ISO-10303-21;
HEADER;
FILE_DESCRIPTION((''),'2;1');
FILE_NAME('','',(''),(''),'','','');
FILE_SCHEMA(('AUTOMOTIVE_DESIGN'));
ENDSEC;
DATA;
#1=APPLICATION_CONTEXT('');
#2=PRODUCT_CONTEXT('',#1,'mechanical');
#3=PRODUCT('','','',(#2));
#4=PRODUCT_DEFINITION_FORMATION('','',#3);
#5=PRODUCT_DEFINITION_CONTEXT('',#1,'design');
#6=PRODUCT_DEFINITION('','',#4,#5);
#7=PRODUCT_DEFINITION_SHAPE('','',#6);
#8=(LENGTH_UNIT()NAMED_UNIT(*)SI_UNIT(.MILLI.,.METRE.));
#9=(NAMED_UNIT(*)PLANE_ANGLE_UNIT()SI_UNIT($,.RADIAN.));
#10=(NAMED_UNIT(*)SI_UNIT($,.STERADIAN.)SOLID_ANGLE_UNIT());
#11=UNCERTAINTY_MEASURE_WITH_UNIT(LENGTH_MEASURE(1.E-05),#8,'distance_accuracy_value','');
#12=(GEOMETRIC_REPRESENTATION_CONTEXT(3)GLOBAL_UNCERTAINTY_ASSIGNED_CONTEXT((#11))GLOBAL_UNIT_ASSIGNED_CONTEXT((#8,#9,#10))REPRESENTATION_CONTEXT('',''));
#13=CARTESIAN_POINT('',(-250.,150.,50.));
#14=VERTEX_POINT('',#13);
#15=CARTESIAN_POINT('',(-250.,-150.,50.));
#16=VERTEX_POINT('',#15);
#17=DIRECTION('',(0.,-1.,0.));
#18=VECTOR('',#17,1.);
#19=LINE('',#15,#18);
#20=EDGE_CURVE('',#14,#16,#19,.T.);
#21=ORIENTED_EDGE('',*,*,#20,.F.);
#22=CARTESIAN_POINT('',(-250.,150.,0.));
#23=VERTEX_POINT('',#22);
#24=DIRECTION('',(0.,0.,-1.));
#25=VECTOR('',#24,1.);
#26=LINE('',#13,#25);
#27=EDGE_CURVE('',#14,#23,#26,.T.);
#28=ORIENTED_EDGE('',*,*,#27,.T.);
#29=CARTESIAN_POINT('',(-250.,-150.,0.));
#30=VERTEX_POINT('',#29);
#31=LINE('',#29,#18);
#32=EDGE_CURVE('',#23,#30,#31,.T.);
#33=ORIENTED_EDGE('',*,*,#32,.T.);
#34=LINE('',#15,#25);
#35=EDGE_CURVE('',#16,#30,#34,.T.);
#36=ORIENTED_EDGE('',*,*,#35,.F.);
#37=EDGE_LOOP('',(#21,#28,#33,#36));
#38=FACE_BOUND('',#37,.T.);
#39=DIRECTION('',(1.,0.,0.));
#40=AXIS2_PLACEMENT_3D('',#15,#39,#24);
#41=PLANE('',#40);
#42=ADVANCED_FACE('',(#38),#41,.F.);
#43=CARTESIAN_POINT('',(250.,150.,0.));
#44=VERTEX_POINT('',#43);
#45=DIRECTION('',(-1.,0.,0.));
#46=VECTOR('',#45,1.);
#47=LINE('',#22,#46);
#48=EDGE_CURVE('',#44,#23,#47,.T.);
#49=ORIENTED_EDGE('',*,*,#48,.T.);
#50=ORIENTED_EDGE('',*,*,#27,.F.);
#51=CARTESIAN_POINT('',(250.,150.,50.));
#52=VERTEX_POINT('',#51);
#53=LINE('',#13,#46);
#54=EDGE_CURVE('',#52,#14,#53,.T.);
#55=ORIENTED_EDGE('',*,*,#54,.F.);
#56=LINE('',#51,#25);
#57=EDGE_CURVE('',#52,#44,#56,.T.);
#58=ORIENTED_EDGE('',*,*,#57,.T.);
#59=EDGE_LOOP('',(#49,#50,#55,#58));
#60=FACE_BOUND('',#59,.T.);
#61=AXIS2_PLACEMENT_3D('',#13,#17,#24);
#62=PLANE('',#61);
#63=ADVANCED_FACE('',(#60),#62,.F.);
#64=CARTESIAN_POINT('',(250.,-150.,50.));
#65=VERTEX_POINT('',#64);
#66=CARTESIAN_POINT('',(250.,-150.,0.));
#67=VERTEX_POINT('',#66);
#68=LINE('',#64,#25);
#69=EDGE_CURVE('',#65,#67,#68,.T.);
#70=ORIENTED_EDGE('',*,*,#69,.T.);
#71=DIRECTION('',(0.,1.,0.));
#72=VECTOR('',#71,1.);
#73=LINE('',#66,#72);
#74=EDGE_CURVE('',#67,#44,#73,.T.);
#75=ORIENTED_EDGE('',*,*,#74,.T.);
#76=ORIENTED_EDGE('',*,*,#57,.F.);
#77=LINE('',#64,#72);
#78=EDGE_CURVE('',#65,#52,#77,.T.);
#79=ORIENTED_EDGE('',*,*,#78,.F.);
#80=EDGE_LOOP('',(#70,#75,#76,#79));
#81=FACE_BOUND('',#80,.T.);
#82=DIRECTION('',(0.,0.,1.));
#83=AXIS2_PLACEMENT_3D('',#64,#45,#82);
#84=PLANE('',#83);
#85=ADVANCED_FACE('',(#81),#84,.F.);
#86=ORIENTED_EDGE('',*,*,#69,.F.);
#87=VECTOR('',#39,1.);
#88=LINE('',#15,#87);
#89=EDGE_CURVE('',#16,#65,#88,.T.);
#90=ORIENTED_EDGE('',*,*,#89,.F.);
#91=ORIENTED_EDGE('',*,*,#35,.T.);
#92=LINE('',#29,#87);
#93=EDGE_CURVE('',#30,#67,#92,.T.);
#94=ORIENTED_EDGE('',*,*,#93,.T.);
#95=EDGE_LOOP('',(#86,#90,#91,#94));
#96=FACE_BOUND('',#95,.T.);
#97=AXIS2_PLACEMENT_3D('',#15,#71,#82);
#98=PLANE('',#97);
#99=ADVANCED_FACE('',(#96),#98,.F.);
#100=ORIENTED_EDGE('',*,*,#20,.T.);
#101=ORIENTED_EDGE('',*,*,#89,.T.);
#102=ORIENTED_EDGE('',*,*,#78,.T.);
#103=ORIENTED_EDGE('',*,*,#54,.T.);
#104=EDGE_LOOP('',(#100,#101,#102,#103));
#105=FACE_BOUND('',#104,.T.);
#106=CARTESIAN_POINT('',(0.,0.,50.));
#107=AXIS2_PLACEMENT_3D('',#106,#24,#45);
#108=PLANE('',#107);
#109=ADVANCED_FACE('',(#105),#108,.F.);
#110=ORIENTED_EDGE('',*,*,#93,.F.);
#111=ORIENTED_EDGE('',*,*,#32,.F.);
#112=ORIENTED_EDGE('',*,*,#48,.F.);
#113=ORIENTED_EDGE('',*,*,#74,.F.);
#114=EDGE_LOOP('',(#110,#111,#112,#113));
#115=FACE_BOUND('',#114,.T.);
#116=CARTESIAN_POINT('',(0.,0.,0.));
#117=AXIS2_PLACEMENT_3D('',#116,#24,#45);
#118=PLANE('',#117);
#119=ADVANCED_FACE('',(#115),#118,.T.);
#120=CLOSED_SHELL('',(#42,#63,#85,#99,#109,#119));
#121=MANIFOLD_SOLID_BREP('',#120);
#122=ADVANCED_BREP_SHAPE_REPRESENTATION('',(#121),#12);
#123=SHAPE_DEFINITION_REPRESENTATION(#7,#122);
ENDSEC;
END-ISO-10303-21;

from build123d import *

# Parameters (mm, degrees)
SKETCH_1_W      = 500
SKETCH_1_H      = 300
EXTRUDE_1_DEPTH = 50


with BuildPart() as part:
    # 草图1 → 凸台-拉伸1 (new body)
    with BuildSketch(Plane.XY):
        Rectangle(SKETCH_1_W, SKETCH_1_H)
    extrude(amount=EXTRUDE_1_DEPTH)


solid = part.part
